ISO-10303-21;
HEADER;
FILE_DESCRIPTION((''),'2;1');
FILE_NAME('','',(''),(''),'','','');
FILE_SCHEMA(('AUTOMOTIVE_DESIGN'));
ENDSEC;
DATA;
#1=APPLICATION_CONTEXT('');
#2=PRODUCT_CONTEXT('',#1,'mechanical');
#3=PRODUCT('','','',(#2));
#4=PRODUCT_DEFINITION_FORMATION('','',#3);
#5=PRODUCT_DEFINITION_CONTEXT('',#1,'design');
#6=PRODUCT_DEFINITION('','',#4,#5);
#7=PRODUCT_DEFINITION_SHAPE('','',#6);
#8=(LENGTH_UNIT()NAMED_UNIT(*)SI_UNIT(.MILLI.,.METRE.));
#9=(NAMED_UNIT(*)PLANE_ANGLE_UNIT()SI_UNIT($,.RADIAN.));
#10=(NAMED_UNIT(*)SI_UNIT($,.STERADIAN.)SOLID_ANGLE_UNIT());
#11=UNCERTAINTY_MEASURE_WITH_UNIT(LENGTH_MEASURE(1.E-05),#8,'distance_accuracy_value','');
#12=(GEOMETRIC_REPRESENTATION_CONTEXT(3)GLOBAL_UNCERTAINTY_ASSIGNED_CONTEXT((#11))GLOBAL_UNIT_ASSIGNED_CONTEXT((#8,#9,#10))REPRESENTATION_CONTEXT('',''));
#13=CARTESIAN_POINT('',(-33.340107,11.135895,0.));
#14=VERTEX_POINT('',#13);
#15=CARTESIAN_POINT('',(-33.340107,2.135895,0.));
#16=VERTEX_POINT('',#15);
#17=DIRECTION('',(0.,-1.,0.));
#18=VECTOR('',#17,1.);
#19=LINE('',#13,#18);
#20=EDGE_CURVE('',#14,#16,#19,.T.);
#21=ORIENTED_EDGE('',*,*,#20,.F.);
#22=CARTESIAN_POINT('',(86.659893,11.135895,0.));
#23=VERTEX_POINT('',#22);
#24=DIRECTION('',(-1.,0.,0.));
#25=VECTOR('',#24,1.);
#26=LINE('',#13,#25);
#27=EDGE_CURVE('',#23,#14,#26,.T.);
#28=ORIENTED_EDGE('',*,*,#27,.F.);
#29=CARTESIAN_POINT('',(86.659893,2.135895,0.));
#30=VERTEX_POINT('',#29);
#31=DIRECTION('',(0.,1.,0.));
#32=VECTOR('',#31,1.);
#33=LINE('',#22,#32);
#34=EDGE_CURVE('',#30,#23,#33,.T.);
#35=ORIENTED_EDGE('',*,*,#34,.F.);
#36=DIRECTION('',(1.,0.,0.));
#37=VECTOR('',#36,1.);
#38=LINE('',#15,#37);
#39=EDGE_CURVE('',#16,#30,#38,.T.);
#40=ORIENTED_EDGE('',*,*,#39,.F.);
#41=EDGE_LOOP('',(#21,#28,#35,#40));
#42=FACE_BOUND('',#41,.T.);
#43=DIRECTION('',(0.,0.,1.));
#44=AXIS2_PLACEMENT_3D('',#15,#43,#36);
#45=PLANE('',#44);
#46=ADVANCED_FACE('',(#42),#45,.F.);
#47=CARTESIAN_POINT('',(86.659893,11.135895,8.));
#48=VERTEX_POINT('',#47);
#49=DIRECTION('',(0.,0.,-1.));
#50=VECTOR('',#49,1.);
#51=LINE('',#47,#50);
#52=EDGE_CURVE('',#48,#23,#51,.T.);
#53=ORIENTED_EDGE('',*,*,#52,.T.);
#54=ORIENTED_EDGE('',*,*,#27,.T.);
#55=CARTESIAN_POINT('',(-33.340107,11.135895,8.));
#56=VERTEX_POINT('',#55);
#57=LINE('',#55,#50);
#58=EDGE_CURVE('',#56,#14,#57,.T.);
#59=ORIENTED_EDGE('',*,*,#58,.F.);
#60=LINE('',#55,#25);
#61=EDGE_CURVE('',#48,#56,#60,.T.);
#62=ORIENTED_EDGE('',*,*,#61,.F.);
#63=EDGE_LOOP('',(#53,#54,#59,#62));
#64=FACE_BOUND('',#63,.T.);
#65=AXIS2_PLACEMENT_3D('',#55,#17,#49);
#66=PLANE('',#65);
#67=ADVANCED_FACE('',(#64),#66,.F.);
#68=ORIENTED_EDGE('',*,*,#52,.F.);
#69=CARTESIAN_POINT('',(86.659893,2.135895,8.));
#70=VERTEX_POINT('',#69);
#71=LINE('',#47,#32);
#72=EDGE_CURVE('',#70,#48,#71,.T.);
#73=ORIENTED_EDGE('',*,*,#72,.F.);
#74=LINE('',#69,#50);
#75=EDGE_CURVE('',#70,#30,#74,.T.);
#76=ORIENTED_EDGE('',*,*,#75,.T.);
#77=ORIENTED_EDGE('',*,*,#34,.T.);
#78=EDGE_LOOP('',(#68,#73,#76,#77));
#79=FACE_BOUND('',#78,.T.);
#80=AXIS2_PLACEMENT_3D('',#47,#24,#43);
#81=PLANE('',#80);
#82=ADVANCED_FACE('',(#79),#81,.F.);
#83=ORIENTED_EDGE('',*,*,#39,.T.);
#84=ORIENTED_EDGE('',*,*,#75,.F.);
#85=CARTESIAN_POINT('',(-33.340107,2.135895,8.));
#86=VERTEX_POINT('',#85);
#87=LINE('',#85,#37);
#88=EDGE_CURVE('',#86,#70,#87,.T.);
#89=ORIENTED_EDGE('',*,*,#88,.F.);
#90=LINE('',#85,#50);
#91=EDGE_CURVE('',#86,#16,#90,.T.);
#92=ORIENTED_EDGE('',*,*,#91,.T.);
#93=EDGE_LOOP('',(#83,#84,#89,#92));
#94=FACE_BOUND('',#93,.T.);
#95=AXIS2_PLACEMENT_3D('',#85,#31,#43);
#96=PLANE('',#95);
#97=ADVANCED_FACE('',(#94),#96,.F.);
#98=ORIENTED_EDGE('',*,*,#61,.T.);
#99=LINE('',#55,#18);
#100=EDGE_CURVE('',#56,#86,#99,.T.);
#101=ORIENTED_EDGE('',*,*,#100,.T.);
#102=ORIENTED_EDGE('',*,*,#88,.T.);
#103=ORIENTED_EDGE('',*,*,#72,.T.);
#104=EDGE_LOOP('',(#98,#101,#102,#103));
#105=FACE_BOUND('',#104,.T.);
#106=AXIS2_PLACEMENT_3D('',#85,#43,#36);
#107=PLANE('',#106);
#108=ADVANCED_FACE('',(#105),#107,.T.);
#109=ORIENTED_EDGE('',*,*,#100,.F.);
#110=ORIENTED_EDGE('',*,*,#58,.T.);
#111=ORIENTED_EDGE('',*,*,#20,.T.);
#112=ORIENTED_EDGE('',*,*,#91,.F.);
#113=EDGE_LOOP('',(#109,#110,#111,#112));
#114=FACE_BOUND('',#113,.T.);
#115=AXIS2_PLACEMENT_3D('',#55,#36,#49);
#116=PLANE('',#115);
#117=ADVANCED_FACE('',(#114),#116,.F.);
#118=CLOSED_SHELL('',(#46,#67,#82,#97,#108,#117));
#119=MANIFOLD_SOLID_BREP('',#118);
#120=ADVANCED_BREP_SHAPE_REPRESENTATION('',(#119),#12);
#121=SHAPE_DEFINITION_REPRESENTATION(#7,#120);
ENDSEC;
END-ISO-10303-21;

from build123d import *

# Parameters (mm, degrees)
ESQUISSE1_W      = 120
ESQUISSE1_H      = 9
EXTRUSION1_DEPTH = 8


with BuildPart() as part:
    # Esquisse1 → Extrusion1 (new body)
    with BuildSketch(Plane.XY):
        with Locations((26.659892568, 6.635894737)):
            Rectangle(ESQUISSE1_W, ESQUISSE1_H)
    extrude(amount=EXTRUSION1_DEPTH)


solid = part.part
